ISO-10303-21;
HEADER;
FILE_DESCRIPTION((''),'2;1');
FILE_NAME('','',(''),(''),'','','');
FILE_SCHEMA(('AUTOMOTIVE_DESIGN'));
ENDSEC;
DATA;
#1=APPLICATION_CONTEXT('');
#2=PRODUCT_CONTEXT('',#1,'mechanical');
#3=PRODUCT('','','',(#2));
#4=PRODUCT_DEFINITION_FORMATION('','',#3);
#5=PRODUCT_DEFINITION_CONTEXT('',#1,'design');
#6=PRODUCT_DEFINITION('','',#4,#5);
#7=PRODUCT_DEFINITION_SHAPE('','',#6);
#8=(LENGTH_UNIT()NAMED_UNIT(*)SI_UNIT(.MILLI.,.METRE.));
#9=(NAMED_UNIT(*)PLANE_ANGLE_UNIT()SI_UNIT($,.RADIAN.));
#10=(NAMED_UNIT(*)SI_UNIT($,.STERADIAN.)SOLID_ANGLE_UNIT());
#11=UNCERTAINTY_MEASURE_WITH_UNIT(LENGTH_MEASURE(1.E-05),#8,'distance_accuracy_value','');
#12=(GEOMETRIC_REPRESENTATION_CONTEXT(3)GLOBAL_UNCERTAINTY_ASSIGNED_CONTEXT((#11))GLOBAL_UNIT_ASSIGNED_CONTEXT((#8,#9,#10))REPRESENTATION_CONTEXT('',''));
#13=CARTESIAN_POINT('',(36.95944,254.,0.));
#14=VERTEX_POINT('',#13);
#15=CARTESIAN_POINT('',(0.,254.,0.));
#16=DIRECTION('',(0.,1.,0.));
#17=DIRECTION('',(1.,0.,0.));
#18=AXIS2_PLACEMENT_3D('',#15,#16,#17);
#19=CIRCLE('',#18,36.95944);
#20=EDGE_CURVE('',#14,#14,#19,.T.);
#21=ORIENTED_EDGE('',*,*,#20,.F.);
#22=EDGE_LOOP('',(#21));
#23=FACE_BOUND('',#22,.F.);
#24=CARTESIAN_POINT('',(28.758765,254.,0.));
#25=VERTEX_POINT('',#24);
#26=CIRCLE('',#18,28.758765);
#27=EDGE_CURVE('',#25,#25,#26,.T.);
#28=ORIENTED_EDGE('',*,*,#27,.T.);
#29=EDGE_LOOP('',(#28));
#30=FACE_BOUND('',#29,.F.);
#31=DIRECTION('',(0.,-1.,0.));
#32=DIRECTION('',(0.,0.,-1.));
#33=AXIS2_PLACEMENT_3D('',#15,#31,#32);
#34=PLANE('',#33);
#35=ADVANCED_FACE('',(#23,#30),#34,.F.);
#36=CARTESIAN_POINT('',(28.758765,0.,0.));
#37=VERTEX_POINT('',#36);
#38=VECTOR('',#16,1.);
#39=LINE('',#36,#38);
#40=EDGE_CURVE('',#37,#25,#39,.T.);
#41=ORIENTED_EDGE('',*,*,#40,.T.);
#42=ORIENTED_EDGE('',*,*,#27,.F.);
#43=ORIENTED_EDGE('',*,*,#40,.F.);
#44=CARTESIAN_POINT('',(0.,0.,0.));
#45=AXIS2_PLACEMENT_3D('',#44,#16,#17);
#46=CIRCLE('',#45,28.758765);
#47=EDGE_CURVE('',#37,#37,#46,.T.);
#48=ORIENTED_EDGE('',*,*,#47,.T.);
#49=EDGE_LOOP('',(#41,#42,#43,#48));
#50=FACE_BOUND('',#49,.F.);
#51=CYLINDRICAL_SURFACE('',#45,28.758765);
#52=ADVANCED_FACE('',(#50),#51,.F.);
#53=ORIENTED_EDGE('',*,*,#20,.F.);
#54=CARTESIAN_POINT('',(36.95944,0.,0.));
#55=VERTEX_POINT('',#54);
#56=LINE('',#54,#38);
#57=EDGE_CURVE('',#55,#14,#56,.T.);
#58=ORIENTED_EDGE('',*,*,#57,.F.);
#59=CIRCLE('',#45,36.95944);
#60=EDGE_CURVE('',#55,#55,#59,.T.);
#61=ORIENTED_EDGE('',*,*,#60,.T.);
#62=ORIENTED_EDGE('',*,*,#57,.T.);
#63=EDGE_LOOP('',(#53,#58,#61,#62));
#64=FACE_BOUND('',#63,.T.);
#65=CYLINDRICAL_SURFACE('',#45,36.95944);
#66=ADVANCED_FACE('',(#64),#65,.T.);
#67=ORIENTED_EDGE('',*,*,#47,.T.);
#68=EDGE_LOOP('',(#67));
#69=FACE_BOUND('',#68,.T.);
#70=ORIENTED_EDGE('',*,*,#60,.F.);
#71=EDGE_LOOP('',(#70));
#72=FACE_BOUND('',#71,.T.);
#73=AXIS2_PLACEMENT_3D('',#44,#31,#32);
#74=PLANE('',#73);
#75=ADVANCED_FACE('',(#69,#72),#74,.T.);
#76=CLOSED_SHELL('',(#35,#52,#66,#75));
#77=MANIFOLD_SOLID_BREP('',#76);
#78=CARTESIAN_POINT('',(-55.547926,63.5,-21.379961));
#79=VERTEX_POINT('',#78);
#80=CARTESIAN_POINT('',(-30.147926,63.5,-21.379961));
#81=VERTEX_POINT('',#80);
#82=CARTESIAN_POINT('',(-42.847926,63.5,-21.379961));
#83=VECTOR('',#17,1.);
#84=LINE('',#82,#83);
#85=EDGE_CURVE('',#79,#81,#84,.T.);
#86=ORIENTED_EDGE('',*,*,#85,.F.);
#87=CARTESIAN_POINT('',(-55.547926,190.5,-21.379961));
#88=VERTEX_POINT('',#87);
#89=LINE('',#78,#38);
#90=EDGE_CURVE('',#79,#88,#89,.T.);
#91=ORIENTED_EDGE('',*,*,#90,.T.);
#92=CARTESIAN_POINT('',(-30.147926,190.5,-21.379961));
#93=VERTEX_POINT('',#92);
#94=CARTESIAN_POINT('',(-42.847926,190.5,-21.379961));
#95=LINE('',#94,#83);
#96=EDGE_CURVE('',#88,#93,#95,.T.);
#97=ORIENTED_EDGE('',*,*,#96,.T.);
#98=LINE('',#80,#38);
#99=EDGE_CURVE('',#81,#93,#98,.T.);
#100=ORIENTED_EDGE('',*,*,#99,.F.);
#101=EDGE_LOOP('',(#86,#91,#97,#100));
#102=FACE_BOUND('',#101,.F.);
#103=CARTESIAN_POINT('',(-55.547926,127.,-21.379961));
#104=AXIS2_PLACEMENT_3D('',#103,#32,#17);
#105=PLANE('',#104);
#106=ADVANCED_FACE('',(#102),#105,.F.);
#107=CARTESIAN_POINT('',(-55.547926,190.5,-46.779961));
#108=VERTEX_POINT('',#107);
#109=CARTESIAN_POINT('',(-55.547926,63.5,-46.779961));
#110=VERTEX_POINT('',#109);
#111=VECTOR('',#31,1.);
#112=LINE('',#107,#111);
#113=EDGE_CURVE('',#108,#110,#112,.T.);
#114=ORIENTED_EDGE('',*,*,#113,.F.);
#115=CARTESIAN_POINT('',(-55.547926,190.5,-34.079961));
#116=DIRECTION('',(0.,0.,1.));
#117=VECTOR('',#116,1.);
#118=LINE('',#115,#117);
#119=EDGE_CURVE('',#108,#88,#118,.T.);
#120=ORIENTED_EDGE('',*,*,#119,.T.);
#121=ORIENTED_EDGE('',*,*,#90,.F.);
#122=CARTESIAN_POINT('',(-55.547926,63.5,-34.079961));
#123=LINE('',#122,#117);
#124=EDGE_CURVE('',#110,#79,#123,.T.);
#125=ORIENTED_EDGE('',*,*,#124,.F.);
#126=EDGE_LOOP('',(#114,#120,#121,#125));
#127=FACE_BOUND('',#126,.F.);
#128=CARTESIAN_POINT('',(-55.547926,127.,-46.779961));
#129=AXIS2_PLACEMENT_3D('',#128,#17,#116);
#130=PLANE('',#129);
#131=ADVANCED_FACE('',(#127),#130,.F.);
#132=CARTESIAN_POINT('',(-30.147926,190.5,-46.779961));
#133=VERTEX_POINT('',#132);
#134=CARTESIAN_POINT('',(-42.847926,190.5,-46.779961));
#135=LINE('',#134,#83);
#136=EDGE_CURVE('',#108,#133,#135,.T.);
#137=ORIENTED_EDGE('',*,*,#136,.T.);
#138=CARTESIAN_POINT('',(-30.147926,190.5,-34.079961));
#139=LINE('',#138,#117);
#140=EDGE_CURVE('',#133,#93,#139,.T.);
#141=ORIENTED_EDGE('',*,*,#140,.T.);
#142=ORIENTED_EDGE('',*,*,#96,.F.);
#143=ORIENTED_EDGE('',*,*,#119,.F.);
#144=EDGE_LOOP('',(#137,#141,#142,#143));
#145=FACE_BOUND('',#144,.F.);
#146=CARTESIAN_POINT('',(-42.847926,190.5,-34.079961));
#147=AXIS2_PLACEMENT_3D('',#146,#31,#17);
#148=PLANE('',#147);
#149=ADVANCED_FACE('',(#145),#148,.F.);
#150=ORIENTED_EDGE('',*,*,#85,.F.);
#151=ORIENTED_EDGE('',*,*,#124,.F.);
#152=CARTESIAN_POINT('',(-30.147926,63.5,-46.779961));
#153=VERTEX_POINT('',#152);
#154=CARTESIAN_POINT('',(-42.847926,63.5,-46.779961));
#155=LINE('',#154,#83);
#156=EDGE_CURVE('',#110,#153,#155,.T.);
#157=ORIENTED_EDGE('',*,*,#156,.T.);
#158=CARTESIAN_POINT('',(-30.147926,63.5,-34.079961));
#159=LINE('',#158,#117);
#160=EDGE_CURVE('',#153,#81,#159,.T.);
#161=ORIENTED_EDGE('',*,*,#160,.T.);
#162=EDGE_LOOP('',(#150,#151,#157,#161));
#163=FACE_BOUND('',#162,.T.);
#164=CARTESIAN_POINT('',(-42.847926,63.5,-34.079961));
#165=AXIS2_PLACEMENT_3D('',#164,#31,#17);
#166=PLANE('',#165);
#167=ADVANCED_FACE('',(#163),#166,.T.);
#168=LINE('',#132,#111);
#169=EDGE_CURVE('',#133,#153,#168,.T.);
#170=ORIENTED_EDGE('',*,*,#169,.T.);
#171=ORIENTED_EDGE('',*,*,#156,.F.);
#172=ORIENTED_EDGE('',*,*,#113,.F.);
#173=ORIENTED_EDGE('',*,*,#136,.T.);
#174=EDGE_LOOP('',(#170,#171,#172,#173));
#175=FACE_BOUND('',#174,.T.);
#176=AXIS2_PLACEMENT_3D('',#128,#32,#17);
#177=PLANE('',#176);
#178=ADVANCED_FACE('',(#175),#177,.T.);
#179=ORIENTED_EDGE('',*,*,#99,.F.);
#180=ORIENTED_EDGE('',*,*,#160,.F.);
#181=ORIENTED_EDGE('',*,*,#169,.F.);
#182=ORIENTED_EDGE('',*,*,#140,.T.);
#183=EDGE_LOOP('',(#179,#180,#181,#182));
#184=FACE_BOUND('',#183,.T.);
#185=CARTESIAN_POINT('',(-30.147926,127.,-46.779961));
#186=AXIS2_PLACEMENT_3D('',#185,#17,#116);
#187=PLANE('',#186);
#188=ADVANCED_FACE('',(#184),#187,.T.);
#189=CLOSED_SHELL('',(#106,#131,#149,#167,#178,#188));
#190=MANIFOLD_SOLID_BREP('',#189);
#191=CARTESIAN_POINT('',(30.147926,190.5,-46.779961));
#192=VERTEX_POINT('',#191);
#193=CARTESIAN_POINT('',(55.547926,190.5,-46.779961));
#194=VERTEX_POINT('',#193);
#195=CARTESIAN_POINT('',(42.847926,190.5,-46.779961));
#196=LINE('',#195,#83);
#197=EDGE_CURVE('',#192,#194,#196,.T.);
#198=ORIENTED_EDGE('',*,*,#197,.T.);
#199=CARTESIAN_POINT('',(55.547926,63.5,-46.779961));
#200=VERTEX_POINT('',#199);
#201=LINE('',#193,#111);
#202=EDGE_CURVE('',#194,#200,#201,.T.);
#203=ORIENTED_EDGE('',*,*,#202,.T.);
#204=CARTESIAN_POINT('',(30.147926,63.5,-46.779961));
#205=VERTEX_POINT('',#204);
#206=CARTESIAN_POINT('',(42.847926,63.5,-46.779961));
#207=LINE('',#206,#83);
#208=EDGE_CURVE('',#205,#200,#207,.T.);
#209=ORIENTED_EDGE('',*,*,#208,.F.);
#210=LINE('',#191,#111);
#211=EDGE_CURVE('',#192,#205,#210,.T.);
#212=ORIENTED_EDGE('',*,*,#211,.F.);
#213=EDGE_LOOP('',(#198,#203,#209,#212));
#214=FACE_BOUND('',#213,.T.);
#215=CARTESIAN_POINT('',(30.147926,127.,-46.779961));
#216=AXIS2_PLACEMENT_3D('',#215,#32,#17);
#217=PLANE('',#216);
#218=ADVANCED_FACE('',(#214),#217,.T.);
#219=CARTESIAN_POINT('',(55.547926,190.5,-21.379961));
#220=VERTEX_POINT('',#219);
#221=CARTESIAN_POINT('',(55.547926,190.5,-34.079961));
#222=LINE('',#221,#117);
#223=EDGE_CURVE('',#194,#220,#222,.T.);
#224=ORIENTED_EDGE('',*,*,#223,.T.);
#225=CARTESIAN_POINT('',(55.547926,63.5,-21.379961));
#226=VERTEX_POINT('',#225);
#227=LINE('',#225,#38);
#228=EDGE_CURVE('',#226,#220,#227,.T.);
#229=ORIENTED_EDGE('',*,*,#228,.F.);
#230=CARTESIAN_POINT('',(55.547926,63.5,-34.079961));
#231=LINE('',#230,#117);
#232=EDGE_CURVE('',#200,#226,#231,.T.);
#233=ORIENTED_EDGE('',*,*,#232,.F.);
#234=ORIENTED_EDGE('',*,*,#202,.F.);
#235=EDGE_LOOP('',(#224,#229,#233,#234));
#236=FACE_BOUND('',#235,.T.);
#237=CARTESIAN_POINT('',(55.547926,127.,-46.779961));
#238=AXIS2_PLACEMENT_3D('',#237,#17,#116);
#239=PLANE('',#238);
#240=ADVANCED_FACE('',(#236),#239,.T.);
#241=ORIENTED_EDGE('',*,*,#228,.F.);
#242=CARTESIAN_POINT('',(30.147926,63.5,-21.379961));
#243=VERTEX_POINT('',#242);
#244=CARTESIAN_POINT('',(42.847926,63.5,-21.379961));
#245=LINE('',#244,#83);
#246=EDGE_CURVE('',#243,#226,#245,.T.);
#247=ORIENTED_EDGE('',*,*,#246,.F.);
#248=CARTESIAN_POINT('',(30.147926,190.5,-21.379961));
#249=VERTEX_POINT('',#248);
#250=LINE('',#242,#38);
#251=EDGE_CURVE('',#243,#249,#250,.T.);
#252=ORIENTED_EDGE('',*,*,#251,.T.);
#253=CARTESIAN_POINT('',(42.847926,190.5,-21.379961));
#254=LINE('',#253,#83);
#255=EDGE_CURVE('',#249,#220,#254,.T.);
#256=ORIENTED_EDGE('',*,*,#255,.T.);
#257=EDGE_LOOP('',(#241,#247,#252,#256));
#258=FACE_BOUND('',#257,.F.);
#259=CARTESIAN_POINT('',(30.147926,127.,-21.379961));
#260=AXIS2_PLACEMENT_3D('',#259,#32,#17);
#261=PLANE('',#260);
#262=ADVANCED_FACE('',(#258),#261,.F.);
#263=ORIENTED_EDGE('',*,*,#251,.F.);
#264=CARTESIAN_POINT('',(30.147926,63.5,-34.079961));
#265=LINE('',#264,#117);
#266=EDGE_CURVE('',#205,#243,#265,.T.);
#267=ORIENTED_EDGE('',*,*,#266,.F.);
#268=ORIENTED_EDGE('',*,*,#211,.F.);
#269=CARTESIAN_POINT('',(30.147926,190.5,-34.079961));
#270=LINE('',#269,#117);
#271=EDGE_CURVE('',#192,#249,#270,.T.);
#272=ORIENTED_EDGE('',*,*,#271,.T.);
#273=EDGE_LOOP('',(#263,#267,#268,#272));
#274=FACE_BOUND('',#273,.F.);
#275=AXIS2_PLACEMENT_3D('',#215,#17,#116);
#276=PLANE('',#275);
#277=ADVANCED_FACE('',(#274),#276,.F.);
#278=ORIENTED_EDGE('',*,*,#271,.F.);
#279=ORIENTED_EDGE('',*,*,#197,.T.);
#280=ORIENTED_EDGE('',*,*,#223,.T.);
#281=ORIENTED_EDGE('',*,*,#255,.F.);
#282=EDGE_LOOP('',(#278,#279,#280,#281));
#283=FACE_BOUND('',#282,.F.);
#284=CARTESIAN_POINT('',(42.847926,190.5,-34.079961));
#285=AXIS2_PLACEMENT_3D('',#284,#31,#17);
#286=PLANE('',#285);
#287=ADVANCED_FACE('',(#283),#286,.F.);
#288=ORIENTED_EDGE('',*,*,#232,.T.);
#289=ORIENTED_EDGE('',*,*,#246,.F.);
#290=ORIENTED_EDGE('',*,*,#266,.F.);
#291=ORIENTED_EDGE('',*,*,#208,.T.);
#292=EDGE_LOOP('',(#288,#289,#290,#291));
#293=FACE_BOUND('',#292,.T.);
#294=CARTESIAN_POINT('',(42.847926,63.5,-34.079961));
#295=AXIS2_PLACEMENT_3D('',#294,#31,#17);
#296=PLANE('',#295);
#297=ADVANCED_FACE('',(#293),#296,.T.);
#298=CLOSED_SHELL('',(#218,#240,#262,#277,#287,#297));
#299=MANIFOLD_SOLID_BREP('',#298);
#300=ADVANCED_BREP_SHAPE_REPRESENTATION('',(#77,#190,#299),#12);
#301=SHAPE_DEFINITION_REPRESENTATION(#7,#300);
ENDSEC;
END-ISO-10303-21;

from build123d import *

# Parameters (mm, degrees)
F1_R          = 36.95944
F1_R_2        = 28.758765
F4_W          = 25.4
F4_H          = 25.4
F5_DEPTH      = 63.5
F5_DEPTH_BACK = 63.5


with BuildPart() as f2:
    # F2: sweep along a path in F0
    with BuildLine(Plane.YZ) as f2_path:
        Line((0, 0), (254, 0))
    # F1 (on Front) → F2 (sweep)
    with BuildSketch(Plane.XZ):
        Circle(F1_R)
        Circle(F1_R_2, mode=Mode.SUBTRACT)
    sweep(path=f2_path.line)


with BuildPart() as f5:
    # F4 (on offset) → F5 (new body, two sides)
    with BuildSketch(Plane.XZ.offset(-127)) as f5_sk:
        with Locations((42.847926, -34.079961)):
            Rectangle(F4_W, F4_H)
        with Locations((-42.847926, -34.079961)):
            Rectangle(F4_W, F4_H)
    extrude(amount=F5_DEPTH)
    extrude(f5_sk.sketch, amount=-F5_DEPTH_BACK)


solid = Compound([f2.part, f5.part])
